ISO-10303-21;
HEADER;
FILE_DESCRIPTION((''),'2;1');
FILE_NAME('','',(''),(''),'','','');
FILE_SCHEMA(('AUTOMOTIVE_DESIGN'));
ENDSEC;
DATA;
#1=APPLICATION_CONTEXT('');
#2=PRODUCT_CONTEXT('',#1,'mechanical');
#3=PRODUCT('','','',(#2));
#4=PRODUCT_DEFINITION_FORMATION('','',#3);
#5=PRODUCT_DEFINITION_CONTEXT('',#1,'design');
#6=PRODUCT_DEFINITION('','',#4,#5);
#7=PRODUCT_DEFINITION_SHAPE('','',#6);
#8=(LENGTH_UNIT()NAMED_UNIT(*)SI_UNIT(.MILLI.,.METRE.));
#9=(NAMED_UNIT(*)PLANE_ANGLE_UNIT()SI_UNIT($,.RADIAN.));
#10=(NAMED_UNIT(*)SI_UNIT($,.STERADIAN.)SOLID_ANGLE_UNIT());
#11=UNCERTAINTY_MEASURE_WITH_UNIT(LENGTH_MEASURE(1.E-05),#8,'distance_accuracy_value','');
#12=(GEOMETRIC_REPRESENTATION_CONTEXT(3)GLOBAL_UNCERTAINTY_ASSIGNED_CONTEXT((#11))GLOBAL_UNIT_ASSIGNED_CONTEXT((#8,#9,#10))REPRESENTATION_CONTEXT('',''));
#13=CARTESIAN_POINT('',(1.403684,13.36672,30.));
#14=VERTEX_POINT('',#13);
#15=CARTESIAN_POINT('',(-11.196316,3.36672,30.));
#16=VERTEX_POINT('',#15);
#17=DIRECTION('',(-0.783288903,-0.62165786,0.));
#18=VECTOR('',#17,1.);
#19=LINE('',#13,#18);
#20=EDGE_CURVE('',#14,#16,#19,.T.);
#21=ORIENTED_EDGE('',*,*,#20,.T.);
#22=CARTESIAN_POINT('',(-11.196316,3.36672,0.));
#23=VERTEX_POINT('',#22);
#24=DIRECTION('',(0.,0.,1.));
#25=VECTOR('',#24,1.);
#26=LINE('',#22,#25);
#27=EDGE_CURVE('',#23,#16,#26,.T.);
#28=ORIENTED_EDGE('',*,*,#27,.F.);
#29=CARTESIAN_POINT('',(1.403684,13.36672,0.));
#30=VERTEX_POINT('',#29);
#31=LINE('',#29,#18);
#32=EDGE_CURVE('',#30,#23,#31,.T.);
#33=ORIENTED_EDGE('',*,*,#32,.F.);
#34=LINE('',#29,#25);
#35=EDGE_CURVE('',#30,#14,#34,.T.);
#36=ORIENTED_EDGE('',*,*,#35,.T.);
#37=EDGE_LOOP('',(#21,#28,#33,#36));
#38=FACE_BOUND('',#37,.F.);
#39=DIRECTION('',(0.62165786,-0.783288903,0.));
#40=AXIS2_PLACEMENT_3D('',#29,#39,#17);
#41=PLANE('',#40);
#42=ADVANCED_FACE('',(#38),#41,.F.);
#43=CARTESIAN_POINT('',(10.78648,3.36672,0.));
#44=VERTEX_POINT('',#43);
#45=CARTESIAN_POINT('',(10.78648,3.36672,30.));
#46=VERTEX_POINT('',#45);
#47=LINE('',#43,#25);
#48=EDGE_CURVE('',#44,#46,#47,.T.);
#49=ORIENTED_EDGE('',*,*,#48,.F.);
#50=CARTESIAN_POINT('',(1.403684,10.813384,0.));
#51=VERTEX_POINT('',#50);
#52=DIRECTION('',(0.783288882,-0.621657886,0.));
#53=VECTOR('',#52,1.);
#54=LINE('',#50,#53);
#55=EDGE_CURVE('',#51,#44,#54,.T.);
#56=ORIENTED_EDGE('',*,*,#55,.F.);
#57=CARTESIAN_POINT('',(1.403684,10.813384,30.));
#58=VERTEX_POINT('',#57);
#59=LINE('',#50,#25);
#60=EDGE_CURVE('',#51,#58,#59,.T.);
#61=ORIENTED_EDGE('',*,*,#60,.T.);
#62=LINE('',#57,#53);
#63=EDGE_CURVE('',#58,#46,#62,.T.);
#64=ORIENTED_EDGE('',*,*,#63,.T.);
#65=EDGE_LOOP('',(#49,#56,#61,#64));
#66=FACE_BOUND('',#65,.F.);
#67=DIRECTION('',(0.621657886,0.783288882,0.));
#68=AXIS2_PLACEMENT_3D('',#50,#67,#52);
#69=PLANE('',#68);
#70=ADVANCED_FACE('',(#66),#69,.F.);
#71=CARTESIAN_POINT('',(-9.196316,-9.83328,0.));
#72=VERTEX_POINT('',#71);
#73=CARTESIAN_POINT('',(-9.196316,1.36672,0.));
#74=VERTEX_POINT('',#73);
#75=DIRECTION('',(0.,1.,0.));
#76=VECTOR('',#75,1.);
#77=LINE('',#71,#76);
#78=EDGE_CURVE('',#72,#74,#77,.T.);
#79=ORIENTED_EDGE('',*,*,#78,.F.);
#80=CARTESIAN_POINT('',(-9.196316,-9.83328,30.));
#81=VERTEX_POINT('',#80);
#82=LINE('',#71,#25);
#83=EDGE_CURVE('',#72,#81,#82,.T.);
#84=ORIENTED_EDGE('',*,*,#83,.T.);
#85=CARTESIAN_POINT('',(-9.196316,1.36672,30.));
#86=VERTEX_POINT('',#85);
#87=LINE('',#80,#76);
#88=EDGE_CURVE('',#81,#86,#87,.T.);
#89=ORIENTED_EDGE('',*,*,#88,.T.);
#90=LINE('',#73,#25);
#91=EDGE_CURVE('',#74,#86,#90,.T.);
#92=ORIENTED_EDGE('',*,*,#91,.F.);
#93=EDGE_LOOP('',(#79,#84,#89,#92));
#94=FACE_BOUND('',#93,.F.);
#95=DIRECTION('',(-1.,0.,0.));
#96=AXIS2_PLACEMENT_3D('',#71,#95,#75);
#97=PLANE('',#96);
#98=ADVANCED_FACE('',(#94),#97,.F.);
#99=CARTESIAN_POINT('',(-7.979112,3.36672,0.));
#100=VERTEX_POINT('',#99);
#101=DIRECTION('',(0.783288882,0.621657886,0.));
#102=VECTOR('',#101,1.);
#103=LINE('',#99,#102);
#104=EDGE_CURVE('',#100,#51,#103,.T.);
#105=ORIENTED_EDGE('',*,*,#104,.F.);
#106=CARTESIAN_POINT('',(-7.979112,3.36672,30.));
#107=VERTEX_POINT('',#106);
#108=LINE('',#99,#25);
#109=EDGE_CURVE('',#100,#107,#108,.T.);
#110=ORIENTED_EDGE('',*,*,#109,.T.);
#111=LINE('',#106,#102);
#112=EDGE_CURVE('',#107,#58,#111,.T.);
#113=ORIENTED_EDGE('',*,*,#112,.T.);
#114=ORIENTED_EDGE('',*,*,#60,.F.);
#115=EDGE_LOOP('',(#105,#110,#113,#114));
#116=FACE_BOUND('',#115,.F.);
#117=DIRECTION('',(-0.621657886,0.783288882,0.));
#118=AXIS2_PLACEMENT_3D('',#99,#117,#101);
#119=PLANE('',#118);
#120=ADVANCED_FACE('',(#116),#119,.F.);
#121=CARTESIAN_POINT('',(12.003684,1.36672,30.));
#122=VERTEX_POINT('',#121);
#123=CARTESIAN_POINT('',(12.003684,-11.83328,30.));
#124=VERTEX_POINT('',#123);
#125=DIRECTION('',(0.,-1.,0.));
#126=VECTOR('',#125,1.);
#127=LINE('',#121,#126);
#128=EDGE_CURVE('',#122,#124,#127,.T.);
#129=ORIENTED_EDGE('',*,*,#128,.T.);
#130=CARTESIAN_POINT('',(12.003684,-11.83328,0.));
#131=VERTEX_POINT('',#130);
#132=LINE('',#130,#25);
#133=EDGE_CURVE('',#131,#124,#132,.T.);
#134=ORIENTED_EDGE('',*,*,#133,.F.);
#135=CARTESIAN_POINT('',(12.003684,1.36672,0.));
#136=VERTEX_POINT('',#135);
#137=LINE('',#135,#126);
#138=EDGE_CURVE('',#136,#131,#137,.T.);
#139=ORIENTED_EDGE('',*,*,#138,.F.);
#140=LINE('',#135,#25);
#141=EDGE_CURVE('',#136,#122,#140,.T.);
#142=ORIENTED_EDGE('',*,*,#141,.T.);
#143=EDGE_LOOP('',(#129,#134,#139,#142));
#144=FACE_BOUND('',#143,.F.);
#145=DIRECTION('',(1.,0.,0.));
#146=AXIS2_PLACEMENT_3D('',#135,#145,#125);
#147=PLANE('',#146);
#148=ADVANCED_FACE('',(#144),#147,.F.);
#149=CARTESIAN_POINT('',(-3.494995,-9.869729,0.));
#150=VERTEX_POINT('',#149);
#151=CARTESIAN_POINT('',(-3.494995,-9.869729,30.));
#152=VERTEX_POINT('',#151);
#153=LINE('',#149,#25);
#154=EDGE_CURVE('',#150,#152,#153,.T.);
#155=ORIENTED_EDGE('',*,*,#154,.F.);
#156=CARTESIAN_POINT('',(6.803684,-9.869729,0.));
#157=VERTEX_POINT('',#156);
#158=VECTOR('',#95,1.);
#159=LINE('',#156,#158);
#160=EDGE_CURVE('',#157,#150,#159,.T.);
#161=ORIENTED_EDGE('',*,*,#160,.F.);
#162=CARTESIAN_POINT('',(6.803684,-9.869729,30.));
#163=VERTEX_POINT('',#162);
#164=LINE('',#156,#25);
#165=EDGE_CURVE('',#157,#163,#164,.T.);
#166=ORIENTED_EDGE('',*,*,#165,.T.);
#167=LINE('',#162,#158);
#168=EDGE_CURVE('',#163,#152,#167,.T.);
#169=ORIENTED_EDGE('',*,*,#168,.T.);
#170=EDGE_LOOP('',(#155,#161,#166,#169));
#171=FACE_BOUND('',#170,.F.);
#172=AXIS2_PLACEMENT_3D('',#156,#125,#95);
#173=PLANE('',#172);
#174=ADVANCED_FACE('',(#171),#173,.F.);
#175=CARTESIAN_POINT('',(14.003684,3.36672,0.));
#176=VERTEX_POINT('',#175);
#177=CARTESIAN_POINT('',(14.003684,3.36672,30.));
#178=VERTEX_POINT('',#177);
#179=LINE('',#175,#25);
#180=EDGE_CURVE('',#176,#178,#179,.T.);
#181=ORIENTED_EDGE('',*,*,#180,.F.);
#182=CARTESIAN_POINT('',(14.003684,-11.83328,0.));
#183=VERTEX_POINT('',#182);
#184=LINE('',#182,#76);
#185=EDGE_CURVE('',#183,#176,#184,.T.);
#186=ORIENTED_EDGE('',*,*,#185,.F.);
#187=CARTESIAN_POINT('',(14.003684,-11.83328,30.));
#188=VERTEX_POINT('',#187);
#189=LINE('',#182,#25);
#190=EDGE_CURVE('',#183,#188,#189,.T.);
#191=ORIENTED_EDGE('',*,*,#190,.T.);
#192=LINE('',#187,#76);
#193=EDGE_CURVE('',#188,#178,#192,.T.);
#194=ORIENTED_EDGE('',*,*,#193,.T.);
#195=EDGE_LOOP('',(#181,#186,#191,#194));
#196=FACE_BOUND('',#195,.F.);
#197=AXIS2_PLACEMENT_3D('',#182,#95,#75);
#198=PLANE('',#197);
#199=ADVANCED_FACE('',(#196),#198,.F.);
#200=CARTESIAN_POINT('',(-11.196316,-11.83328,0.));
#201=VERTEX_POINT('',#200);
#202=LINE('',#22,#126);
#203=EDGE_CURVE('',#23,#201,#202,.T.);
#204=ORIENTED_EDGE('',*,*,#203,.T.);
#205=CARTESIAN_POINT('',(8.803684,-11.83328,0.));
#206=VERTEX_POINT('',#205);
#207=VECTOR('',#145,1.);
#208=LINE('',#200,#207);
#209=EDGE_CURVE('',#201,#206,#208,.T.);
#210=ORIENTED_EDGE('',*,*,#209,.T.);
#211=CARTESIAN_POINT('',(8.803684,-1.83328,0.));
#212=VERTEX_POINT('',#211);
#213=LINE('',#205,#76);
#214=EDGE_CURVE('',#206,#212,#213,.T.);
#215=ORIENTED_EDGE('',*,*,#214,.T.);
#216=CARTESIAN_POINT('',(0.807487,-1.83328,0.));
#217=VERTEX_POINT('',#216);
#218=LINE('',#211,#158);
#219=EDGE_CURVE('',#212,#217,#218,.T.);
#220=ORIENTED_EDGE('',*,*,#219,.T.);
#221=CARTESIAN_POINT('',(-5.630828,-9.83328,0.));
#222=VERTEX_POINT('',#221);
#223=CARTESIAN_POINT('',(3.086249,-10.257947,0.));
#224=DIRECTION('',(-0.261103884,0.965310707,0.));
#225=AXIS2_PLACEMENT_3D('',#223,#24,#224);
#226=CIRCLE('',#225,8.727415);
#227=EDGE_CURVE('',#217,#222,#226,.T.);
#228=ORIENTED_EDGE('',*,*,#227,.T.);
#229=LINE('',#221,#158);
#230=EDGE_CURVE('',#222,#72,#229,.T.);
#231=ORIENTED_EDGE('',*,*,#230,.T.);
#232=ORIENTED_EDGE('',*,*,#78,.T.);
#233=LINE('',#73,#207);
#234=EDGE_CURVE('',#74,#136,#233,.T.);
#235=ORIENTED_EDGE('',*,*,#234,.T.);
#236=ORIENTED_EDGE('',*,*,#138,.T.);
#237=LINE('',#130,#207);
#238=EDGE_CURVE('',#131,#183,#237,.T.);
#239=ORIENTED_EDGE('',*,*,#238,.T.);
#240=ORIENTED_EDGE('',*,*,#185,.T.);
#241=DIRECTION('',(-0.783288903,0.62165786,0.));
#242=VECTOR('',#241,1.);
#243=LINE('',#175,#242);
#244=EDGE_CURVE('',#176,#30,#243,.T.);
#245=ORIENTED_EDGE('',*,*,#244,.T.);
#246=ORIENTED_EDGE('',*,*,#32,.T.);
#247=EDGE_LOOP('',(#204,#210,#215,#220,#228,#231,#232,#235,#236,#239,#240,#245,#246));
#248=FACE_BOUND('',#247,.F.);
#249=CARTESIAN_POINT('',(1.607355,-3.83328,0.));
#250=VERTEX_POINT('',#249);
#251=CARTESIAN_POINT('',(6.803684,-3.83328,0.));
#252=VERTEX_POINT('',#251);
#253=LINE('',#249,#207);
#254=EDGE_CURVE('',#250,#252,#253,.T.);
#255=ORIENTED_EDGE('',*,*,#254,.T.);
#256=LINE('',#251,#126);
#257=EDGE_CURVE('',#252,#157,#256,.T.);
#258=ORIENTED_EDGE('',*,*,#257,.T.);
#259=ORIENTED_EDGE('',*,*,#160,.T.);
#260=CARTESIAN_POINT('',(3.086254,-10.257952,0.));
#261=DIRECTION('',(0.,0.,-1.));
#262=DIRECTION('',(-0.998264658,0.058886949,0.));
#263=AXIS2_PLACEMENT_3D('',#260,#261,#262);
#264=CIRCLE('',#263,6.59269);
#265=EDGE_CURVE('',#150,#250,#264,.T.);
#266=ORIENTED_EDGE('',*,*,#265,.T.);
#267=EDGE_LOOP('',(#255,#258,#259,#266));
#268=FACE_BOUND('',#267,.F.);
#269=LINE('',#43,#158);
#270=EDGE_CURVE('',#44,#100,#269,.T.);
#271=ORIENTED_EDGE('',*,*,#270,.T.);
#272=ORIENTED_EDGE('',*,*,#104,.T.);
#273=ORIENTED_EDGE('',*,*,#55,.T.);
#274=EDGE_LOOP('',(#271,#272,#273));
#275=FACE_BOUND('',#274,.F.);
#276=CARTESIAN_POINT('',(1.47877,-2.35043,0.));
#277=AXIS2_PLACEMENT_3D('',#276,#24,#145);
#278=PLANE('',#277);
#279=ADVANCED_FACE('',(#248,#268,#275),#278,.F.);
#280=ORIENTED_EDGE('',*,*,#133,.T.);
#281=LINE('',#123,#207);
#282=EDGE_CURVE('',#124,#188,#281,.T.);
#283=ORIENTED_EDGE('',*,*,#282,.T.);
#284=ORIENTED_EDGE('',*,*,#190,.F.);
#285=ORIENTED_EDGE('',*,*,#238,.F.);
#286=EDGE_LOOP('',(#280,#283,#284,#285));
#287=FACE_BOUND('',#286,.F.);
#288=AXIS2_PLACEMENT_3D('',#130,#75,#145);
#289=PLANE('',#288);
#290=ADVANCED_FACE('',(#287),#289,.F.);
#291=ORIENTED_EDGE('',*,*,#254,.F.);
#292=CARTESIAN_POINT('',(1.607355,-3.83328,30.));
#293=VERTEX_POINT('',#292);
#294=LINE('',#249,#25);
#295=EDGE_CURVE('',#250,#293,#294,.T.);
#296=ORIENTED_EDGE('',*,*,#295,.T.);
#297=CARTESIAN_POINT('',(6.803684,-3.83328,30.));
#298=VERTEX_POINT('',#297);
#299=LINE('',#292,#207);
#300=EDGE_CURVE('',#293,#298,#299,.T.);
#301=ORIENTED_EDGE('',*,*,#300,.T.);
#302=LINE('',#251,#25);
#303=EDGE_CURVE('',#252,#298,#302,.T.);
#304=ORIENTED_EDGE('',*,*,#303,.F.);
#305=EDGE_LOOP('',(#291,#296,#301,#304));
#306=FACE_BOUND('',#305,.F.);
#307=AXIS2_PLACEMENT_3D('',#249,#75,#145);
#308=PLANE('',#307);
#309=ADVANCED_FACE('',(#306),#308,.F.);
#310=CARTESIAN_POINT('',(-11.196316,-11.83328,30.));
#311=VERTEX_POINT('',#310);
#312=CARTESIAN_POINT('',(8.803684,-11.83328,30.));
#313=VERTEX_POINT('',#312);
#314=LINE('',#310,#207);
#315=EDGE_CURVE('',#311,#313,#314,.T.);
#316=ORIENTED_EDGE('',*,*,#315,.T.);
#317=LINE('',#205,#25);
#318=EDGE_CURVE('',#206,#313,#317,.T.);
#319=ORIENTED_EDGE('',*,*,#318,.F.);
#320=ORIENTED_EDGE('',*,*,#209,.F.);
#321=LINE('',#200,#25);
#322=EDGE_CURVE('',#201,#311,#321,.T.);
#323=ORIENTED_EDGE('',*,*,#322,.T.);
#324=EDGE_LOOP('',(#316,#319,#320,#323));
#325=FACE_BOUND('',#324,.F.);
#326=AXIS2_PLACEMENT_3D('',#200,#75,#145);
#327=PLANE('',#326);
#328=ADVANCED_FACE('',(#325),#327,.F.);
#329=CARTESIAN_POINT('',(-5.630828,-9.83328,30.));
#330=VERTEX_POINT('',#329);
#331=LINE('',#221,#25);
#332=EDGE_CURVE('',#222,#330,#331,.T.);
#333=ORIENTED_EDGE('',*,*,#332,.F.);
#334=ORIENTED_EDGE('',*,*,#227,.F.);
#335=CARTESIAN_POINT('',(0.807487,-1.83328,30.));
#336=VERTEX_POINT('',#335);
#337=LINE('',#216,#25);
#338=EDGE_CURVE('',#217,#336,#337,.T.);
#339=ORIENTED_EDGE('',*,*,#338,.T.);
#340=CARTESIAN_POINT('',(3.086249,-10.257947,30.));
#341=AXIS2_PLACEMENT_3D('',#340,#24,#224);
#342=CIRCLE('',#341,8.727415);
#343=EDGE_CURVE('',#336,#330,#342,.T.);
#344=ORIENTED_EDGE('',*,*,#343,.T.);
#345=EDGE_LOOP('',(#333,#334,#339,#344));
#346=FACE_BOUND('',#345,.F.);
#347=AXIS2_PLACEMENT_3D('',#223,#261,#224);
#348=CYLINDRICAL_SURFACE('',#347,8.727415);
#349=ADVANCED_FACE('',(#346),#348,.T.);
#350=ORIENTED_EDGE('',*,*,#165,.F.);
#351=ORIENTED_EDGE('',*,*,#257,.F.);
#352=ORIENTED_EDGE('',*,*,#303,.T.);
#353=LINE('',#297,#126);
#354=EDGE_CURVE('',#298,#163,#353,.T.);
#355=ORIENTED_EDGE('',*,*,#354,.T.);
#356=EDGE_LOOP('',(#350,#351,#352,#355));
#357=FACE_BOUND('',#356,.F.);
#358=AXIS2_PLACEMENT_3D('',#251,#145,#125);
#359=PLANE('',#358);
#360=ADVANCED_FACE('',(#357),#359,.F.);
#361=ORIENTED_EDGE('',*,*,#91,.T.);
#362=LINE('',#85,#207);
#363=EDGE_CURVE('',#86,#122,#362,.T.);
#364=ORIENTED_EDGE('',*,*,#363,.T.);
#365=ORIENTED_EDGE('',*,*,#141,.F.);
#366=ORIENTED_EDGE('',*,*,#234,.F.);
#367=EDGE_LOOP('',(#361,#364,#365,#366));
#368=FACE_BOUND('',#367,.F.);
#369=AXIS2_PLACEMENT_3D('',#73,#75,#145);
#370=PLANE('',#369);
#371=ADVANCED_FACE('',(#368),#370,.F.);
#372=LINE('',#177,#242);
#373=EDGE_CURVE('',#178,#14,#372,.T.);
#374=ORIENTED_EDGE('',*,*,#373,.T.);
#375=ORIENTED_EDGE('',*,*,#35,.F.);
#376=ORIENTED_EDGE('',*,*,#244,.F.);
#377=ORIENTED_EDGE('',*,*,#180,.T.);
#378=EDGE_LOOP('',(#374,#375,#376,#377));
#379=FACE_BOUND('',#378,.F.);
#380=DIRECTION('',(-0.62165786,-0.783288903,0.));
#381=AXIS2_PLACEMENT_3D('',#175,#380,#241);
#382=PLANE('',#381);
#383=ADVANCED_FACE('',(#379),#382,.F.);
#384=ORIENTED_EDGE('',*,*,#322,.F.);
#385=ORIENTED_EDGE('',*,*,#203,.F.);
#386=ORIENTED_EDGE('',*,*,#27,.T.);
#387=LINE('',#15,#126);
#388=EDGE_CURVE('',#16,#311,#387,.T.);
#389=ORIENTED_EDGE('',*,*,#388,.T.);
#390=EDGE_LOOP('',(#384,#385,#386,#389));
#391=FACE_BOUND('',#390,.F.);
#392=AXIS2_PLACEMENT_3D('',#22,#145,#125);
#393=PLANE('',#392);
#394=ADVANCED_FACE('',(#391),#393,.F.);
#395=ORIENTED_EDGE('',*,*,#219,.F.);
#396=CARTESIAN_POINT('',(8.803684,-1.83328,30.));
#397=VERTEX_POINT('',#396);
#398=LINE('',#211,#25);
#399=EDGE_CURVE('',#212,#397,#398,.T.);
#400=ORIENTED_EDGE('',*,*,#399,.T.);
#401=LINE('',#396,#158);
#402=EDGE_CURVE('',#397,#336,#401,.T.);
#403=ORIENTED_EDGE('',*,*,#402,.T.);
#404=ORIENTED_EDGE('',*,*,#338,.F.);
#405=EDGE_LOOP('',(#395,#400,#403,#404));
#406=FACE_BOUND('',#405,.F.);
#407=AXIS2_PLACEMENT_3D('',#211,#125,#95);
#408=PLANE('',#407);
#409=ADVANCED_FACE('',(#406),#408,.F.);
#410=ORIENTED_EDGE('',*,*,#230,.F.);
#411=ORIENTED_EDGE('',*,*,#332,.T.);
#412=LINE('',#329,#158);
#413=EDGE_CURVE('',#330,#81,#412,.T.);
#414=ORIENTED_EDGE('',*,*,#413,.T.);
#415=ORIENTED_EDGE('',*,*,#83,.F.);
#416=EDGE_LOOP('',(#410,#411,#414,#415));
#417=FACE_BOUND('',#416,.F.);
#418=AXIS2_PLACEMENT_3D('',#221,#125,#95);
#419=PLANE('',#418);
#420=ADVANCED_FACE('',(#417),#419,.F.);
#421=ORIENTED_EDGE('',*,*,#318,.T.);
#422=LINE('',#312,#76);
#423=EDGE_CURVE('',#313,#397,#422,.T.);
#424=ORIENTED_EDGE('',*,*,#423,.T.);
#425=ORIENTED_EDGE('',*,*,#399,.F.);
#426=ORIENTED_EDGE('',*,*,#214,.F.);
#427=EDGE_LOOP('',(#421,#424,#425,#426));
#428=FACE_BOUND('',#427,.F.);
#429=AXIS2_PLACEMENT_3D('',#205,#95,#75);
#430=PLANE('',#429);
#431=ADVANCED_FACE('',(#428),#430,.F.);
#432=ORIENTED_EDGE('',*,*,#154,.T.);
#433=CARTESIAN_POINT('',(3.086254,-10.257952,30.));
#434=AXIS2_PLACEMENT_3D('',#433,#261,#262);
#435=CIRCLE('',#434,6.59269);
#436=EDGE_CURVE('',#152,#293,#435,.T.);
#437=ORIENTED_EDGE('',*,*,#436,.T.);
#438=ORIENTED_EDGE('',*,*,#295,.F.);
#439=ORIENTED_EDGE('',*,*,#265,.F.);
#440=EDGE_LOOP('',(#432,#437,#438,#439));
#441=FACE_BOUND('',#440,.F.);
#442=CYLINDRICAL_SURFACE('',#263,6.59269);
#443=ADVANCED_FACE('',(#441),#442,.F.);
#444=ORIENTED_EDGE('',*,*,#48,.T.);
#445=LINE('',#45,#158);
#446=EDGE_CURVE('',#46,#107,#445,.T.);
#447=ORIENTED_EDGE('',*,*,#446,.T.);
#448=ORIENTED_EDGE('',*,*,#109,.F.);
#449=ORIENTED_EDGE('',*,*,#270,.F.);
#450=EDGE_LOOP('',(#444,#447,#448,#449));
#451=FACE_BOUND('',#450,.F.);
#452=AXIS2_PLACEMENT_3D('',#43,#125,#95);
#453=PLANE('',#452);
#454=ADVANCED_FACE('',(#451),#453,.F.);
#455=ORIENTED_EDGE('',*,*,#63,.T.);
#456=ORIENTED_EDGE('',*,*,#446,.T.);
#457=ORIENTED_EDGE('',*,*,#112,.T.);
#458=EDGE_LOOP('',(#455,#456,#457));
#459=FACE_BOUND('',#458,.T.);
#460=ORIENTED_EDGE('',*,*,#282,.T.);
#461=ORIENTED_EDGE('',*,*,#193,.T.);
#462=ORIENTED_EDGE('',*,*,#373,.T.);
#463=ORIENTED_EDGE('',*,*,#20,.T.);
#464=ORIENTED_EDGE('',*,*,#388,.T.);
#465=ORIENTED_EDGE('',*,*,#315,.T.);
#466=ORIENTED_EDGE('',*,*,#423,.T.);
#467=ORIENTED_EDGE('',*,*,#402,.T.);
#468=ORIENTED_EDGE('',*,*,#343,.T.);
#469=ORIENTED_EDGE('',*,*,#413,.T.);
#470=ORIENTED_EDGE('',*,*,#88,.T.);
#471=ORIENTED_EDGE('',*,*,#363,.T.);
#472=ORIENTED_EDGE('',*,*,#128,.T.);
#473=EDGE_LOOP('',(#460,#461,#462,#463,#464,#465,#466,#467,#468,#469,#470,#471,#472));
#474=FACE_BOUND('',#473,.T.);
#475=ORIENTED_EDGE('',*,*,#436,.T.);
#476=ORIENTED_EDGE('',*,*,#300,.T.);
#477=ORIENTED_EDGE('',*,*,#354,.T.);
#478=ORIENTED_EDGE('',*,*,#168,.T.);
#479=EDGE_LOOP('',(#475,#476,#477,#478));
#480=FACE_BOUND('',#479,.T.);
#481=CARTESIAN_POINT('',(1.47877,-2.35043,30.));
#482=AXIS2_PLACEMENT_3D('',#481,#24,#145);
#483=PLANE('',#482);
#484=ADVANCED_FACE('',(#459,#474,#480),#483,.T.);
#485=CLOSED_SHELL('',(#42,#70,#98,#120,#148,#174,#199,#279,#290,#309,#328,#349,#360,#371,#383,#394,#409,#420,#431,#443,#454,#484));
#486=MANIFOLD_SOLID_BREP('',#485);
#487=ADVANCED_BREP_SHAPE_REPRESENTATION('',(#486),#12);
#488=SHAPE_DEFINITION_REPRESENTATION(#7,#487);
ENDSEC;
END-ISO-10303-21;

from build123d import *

# Parameters (mm, degrees)
F1_DEPTH = 30


with BuildPart() as f1:
    # F0 (on Top) → F1 (new body)
    with BuildSketch(Plane.XY):
        with BuildLine():
            Line((8.803684, -1.83328), (0.807487, -1.83328))
            ThreePointArc((0.807487, -1.83328), (-3.712804, -4.786142), (-5.630828, -9.83328))
            Line((-5.630828, -9.83328), (-9.196316, -9.83328))
            Line((-9.196316, -9.83328), (-9.196316, 1.36672))
            Line((-9.196316, 1.36672), (12.003684, 1.36672))
            Line((12.003684, 1.36672), (12.003684, -11.83328))
            Line((12.003684, -11.83328), (14.003684, -11.83328))
            Line((14.003684, -11.83328), (14.003684, 3.36672))
            Line((14.003684, 3.36672), (1.403684, 13.36672))
            Line((1.403684, 13.36672), (-11.196316, 3.36672))
            Line((-11.196316, 3.36672), (-11.196316, -11.83328))
            Line((-11.196316, -11.83328), (8.803684, -11.83328))
            Line((8.803684, -11.83328), (8.803684, -1.83328))
        make_face()
        with BuildLine():
            ThreePointArc((-3.494995, -9.869729), (-1.948741, -6.002088), (1.607355, -3.83328))
            Line((1.607355, -3.83328), (6.803684, -3.83328))
            Line((6.803684, -3.83328), (6.803684, -9.869729))
            Line((6.803684, -9.869729), (-3.494995, -9.869729))
        make_face(mode=Mode.SUBTRACT)
        Polygon((-7.979112, 3.36672), (1.403684, 10.813384), (10.78648, 3.36672), align=None, mode=Mode.SUBTRACT)
    extrude(amount=F1_DEPTH)


solid = f1.part
